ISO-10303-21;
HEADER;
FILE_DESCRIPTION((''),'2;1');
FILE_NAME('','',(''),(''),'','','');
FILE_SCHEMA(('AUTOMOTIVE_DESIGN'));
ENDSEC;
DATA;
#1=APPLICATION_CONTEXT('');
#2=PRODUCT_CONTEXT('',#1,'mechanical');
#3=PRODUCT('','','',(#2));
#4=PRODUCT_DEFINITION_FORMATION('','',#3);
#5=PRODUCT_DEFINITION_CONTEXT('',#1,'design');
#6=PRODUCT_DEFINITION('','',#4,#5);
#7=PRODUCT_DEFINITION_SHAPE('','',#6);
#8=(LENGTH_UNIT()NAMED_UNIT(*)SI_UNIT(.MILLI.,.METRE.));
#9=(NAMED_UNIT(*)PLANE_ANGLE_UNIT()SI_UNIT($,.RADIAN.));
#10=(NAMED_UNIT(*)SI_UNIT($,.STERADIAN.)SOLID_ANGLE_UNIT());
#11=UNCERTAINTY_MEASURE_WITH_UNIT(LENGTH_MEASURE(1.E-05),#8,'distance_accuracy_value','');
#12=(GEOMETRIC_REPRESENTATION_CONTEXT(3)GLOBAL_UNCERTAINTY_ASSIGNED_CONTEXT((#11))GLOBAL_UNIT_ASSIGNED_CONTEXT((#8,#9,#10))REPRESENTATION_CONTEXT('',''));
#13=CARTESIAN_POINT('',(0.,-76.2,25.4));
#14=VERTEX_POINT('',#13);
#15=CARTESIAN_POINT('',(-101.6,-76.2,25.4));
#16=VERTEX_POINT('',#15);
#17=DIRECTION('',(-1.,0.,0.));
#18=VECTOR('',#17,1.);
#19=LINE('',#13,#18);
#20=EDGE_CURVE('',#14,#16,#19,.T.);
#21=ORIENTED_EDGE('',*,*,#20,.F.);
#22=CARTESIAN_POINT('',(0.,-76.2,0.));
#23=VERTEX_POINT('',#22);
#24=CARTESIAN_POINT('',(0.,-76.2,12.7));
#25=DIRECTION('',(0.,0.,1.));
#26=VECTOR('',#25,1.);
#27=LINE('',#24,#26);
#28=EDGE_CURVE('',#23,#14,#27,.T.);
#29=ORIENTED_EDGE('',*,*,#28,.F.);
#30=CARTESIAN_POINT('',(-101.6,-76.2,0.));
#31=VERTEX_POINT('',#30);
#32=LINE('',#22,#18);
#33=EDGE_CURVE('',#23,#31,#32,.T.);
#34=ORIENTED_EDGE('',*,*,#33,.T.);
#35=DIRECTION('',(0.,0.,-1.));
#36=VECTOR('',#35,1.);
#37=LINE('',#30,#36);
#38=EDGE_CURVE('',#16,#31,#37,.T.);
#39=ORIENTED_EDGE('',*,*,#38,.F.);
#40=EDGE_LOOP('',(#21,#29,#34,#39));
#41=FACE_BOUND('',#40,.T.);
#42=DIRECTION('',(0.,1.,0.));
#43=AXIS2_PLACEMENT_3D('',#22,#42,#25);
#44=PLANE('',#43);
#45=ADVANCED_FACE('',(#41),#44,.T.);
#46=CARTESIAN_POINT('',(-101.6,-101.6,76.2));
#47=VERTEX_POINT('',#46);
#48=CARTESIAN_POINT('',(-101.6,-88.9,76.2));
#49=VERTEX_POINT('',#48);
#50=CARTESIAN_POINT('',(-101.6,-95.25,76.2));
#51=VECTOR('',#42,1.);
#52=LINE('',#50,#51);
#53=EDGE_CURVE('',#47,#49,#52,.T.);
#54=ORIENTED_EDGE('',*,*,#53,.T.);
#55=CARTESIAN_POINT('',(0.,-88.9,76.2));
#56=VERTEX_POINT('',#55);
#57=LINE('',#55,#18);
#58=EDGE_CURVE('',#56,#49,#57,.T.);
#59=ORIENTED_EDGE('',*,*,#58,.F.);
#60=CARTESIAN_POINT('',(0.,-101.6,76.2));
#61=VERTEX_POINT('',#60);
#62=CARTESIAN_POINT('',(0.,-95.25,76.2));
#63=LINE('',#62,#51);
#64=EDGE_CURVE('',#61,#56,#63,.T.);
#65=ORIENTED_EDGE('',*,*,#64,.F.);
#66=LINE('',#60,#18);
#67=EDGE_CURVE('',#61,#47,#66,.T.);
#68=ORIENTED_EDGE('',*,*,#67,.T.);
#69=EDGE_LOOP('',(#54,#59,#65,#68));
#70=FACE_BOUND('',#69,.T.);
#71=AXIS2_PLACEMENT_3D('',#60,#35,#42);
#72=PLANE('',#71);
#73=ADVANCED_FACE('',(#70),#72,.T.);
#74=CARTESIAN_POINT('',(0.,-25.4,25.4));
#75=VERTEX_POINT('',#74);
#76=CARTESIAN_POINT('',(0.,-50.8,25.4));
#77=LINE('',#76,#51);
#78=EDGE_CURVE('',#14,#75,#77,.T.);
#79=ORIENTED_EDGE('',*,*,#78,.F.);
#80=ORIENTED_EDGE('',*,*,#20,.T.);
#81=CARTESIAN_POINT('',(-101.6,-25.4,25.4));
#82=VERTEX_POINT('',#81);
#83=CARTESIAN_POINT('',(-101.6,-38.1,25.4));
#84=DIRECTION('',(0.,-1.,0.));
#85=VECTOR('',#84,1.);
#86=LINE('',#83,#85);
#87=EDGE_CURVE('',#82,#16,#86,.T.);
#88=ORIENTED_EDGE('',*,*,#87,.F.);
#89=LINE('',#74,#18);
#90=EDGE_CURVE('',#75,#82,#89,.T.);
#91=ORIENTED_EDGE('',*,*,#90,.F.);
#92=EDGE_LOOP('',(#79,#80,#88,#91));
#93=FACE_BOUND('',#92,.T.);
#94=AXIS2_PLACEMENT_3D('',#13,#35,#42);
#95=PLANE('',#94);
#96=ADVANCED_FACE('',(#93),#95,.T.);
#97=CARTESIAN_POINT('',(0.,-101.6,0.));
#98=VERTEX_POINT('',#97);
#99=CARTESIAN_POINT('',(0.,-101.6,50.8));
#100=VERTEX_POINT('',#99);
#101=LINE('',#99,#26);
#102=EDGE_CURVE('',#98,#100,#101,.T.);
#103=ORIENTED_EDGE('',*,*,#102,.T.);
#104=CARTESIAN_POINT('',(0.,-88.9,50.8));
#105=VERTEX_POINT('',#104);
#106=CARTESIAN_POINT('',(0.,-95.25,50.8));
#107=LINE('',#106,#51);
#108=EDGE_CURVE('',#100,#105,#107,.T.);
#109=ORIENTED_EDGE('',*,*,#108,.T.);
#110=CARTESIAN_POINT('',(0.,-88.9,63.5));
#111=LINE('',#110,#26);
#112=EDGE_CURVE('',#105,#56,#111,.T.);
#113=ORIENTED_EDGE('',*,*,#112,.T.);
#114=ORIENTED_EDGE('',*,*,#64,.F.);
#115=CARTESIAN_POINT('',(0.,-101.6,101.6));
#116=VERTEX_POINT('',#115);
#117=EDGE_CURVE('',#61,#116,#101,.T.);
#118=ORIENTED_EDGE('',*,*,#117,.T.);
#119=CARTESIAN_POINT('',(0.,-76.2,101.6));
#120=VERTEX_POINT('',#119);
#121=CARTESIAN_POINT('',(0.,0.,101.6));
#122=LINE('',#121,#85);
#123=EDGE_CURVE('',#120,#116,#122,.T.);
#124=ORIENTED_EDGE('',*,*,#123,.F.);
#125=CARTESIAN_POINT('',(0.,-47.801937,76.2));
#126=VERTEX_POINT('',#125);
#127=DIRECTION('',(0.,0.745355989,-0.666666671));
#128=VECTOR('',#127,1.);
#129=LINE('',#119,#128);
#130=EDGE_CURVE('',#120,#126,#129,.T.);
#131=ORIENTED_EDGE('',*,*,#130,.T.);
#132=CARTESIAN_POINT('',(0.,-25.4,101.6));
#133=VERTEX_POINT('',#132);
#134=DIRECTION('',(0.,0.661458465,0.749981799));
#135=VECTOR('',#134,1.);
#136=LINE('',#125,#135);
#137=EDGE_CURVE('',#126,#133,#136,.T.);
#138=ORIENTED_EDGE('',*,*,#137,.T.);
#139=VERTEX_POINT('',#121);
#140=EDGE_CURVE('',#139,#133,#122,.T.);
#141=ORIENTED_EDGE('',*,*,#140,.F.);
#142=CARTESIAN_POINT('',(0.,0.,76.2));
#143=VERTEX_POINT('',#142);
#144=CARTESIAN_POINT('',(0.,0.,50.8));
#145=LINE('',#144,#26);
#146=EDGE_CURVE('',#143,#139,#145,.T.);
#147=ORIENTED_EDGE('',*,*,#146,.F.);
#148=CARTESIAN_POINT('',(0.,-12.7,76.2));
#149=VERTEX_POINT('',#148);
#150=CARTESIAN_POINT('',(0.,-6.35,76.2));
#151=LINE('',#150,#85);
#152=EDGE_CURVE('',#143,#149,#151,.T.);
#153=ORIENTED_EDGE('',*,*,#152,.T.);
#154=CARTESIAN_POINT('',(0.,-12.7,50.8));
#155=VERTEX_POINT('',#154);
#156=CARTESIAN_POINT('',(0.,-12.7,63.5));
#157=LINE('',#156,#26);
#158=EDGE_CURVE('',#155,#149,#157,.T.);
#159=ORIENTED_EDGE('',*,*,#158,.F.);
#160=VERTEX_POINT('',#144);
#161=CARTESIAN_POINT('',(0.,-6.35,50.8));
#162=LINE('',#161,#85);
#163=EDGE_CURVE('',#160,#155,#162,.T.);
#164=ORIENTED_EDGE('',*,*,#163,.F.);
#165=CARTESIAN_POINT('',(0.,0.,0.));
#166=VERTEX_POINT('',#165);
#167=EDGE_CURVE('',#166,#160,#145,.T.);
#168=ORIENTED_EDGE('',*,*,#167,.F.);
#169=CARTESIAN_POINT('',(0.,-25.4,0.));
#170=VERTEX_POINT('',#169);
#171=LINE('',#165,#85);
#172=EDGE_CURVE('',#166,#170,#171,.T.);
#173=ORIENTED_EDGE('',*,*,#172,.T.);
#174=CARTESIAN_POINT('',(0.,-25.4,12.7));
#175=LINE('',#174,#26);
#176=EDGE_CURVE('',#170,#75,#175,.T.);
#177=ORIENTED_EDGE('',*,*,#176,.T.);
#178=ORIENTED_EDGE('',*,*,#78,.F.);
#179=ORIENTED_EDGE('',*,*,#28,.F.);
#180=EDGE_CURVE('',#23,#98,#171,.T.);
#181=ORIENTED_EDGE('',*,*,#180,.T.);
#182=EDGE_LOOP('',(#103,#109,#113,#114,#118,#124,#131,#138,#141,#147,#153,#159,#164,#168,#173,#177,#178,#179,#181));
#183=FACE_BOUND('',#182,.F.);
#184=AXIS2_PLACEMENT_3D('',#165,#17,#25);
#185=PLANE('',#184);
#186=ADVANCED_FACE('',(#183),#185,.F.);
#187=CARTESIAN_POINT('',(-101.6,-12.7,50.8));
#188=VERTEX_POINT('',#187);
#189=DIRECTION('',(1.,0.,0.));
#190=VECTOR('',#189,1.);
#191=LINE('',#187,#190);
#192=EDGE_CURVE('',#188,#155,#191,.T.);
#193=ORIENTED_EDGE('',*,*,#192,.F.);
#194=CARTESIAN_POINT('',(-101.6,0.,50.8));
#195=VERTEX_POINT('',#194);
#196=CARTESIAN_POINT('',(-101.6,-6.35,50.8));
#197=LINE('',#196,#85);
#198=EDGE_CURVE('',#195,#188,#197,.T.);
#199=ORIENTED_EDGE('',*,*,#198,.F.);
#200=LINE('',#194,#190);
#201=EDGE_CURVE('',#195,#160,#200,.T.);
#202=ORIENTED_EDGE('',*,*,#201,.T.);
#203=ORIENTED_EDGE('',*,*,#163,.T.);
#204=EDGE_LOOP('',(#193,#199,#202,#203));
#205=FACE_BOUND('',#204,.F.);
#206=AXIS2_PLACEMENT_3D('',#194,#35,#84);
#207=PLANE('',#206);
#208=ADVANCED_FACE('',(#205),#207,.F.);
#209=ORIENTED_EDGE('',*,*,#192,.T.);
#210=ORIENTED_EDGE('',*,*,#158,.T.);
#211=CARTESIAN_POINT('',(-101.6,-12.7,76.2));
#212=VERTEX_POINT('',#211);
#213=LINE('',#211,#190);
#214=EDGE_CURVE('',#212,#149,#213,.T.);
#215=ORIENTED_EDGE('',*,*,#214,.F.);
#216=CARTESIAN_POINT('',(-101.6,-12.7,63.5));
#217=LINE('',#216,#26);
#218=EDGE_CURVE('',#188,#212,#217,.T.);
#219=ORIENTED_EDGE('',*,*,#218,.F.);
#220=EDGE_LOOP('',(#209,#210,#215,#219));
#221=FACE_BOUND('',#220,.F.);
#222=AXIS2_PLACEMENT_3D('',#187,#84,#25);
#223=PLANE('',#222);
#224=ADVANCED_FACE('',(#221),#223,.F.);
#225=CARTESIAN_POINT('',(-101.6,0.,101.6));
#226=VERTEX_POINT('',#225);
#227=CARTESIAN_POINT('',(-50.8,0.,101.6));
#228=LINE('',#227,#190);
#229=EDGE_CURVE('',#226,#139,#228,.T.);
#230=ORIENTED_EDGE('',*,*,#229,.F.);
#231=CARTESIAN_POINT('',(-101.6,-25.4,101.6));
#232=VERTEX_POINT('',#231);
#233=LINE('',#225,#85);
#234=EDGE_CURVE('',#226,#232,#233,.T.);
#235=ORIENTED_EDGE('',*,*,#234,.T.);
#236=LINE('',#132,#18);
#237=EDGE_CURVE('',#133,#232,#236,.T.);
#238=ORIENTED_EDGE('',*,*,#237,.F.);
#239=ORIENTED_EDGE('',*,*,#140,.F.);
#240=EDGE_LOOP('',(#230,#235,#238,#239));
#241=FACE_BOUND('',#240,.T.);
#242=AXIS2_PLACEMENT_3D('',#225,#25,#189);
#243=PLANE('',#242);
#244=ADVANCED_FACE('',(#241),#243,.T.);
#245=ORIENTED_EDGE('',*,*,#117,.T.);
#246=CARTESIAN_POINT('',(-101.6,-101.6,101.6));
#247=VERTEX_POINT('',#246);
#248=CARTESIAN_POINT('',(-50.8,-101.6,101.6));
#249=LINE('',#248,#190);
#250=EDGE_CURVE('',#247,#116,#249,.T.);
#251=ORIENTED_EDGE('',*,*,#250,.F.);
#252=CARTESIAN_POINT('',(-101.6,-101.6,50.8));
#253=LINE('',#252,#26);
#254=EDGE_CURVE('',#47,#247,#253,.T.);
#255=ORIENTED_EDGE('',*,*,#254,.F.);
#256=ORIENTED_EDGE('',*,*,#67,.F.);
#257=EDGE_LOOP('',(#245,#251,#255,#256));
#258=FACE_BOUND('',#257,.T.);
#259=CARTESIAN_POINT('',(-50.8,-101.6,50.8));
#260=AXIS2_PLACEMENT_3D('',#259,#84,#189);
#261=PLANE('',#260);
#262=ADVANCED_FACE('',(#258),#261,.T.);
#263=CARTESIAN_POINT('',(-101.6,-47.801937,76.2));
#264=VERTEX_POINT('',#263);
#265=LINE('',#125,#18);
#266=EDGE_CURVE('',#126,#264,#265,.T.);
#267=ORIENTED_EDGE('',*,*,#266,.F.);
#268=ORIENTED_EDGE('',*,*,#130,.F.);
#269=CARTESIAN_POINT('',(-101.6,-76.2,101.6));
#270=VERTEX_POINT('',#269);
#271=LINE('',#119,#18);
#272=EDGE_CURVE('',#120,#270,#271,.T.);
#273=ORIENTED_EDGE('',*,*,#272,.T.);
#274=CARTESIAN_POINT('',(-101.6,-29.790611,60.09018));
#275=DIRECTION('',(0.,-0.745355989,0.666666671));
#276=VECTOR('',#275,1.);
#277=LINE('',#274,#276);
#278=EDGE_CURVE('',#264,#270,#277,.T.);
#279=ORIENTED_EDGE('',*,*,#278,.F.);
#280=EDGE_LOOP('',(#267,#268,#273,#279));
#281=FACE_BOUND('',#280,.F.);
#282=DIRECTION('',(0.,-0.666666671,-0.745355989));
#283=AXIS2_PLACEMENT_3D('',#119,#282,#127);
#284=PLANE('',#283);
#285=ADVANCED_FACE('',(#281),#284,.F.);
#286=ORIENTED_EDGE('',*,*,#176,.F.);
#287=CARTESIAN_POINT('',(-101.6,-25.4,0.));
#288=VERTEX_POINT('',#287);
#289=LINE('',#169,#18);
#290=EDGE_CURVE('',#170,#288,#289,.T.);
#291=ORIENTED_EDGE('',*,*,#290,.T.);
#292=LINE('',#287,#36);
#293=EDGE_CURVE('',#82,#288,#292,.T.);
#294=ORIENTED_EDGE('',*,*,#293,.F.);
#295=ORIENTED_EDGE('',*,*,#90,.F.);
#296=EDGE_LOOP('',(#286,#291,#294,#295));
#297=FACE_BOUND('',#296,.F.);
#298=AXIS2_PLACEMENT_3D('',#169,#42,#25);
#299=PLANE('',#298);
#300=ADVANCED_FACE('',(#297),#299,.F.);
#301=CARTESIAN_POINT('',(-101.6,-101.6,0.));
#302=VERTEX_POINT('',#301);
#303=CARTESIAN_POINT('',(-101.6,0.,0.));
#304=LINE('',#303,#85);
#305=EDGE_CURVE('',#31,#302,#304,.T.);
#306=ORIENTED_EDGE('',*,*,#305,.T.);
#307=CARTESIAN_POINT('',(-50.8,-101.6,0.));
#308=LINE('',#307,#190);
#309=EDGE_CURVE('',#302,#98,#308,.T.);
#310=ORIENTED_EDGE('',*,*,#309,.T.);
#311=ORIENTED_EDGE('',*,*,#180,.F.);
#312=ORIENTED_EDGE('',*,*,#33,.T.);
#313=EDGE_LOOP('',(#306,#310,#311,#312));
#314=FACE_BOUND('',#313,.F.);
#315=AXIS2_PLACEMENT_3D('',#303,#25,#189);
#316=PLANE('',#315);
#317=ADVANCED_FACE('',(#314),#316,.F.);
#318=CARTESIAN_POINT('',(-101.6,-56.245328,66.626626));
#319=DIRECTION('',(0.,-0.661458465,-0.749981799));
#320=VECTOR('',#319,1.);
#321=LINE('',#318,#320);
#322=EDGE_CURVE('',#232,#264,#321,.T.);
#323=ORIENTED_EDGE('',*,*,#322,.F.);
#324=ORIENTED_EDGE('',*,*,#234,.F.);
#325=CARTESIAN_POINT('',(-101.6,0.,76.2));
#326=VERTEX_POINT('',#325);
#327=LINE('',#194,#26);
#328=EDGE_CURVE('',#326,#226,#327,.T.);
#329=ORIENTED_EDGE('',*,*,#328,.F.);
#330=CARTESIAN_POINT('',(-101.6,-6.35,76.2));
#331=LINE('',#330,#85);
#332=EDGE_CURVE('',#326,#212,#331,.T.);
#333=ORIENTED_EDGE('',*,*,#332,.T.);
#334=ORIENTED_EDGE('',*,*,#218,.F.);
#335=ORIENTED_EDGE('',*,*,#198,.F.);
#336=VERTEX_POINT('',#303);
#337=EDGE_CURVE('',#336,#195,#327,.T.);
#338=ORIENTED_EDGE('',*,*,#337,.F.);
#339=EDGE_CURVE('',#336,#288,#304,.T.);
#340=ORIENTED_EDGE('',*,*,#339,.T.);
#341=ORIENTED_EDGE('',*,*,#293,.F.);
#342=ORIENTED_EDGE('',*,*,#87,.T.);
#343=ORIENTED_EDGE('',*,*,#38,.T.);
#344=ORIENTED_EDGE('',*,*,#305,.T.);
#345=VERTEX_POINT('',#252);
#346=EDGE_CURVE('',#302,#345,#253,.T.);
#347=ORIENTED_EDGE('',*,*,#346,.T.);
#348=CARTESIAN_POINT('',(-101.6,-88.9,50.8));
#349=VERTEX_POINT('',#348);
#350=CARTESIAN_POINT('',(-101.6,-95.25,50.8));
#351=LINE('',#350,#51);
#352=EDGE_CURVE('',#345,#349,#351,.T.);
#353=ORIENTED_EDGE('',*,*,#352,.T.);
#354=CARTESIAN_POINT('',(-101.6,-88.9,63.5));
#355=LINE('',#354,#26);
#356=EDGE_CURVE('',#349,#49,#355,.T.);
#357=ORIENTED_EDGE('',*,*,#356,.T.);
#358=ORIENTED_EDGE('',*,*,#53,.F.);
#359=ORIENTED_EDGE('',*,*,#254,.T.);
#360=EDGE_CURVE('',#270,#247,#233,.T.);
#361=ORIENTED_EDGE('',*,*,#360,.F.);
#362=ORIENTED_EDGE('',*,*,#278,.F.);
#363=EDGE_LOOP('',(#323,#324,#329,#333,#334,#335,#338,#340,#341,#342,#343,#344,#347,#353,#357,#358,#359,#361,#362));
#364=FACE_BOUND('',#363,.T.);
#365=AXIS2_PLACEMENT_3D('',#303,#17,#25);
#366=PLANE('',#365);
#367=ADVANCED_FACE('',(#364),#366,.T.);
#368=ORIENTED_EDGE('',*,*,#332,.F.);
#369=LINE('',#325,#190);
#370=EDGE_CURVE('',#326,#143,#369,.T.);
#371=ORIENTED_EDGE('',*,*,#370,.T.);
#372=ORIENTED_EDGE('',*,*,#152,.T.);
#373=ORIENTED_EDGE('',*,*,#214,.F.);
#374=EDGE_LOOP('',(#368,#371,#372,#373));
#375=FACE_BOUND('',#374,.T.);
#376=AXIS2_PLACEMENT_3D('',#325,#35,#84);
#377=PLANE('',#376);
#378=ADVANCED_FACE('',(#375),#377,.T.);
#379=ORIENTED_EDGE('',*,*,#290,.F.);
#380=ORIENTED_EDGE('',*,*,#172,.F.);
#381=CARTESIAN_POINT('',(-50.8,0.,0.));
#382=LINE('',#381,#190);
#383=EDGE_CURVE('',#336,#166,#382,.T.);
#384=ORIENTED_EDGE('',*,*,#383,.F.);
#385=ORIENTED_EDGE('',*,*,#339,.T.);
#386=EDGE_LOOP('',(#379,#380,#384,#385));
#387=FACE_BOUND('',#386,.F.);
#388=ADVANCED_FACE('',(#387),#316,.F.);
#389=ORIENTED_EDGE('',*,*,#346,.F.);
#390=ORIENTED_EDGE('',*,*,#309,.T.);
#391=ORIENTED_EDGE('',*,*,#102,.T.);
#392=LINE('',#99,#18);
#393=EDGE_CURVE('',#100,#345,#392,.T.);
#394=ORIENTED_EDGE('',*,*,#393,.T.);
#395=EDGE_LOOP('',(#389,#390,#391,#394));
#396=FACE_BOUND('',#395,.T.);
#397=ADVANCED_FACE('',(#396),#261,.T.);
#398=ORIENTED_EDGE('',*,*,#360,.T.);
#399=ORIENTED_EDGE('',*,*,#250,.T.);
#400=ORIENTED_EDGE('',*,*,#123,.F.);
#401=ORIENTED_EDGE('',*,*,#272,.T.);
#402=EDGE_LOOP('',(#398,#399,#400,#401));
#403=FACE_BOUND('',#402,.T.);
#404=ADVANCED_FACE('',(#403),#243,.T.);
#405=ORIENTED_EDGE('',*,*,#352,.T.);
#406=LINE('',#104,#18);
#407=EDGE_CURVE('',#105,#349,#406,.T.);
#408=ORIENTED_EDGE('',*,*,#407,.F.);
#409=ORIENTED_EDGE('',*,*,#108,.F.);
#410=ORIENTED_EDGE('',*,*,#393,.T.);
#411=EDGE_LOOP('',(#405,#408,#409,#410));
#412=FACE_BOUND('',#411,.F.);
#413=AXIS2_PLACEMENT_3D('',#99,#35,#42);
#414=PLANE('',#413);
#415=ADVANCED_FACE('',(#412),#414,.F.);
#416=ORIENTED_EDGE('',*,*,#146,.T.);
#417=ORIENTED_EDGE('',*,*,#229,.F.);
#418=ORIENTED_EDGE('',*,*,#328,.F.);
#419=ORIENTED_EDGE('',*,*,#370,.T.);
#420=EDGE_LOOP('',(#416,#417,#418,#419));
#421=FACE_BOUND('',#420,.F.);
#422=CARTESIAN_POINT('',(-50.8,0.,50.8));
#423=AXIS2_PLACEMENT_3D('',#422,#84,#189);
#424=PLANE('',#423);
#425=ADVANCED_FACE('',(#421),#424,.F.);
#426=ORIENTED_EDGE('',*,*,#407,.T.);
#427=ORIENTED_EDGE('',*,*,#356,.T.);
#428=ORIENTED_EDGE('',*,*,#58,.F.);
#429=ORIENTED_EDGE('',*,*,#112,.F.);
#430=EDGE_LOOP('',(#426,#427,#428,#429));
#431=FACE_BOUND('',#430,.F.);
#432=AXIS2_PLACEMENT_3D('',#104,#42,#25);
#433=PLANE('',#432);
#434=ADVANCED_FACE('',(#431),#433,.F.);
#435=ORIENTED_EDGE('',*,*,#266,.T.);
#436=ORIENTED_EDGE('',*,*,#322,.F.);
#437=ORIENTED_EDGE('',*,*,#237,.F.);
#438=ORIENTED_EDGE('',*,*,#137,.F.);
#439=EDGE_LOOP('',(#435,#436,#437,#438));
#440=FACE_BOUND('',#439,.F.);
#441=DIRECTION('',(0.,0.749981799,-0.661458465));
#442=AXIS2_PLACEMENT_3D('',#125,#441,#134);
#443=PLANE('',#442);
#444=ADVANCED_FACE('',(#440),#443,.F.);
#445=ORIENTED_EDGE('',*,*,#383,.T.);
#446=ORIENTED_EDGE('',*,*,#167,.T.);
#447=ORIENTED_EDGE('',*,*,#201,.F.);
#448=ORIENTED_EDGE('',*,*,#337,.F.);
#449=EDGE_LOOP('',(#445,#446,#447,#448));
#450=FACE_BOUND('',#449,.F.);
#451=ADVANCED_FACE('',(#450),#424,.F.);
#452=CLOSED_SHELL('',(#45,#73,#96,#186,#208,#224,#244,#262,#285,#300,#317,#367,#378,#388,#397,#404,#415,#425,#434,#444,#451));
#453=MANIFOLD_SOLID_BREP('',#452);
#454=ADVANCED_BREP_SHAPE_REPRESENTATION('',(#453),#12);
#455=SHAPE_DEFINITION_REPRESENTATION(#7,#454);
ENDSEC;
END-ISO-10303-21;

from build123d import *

# Parameters (mm, degrees)
F0_W     = 101.6
F0_H     = 101.6
F1_DEPTH = 101.6
F2_W     = 12.7
F2_H     = 25.4
F3_DEPTH = 101.6
F4_W     = 50.8
F4_H     = 25.4
F5_DEPTH = 127
F6_W     = 12.7
F6_H     = 25.4
F7_DEPTH = 101.6
F9_DEPTH = 1397


with BuildPart() as f1:
    # F0 (on Front) → F1 (new body)
    with BuildSketch(Plane.XZ):
        with Locations((-50.8, 50.8)):
            Rectangle(F0_W, F0_H)
    extrude(amount=F1_DEPTH)

    # F2 (on face) → F3 (cut)
    with BuildSketch(Plane.YZ):
        with Locations((-95.25, 63.5)):
            Rectangle(F2_W, F2_H)
    extrude(amount=-F3_DEPTH, mode=Mode.SUBTRACT)

    # F4 (on face) → F5 (cut)
    with BuildSketch(Plane.YZ):
        with Locations((-50.8, 12.7)):
            Rectangle(F4_W, F4_H)
    extrude(amount=-F5_DEPTH, mode=Mode.SUBTRACT)

    # F6 (on face) → F7 (cut)
    with BuildSketch(Plane(origin=(-101.6, 0, 0), x_dir=(0, -1, 0), z_dir=(-1, 0, 0))):
        with Locations((6.35, 63.5)):
            Rectangle(F6_W, F6_H)
    extrude(amount=-F7_DEPTH, mode=Mode.SUBTRACT)

    # F8 (on face) → F9 (cut)
    with BuildSketch(Plane.YZ):
        Polygon((-25.4, 101.6), (-76.2, 101.6), (-47.801937, 76.2), align=None)
    extrude(amount=-F9_DEPTH, mode=Mode.SUBTRACT)


solid = f1.part
